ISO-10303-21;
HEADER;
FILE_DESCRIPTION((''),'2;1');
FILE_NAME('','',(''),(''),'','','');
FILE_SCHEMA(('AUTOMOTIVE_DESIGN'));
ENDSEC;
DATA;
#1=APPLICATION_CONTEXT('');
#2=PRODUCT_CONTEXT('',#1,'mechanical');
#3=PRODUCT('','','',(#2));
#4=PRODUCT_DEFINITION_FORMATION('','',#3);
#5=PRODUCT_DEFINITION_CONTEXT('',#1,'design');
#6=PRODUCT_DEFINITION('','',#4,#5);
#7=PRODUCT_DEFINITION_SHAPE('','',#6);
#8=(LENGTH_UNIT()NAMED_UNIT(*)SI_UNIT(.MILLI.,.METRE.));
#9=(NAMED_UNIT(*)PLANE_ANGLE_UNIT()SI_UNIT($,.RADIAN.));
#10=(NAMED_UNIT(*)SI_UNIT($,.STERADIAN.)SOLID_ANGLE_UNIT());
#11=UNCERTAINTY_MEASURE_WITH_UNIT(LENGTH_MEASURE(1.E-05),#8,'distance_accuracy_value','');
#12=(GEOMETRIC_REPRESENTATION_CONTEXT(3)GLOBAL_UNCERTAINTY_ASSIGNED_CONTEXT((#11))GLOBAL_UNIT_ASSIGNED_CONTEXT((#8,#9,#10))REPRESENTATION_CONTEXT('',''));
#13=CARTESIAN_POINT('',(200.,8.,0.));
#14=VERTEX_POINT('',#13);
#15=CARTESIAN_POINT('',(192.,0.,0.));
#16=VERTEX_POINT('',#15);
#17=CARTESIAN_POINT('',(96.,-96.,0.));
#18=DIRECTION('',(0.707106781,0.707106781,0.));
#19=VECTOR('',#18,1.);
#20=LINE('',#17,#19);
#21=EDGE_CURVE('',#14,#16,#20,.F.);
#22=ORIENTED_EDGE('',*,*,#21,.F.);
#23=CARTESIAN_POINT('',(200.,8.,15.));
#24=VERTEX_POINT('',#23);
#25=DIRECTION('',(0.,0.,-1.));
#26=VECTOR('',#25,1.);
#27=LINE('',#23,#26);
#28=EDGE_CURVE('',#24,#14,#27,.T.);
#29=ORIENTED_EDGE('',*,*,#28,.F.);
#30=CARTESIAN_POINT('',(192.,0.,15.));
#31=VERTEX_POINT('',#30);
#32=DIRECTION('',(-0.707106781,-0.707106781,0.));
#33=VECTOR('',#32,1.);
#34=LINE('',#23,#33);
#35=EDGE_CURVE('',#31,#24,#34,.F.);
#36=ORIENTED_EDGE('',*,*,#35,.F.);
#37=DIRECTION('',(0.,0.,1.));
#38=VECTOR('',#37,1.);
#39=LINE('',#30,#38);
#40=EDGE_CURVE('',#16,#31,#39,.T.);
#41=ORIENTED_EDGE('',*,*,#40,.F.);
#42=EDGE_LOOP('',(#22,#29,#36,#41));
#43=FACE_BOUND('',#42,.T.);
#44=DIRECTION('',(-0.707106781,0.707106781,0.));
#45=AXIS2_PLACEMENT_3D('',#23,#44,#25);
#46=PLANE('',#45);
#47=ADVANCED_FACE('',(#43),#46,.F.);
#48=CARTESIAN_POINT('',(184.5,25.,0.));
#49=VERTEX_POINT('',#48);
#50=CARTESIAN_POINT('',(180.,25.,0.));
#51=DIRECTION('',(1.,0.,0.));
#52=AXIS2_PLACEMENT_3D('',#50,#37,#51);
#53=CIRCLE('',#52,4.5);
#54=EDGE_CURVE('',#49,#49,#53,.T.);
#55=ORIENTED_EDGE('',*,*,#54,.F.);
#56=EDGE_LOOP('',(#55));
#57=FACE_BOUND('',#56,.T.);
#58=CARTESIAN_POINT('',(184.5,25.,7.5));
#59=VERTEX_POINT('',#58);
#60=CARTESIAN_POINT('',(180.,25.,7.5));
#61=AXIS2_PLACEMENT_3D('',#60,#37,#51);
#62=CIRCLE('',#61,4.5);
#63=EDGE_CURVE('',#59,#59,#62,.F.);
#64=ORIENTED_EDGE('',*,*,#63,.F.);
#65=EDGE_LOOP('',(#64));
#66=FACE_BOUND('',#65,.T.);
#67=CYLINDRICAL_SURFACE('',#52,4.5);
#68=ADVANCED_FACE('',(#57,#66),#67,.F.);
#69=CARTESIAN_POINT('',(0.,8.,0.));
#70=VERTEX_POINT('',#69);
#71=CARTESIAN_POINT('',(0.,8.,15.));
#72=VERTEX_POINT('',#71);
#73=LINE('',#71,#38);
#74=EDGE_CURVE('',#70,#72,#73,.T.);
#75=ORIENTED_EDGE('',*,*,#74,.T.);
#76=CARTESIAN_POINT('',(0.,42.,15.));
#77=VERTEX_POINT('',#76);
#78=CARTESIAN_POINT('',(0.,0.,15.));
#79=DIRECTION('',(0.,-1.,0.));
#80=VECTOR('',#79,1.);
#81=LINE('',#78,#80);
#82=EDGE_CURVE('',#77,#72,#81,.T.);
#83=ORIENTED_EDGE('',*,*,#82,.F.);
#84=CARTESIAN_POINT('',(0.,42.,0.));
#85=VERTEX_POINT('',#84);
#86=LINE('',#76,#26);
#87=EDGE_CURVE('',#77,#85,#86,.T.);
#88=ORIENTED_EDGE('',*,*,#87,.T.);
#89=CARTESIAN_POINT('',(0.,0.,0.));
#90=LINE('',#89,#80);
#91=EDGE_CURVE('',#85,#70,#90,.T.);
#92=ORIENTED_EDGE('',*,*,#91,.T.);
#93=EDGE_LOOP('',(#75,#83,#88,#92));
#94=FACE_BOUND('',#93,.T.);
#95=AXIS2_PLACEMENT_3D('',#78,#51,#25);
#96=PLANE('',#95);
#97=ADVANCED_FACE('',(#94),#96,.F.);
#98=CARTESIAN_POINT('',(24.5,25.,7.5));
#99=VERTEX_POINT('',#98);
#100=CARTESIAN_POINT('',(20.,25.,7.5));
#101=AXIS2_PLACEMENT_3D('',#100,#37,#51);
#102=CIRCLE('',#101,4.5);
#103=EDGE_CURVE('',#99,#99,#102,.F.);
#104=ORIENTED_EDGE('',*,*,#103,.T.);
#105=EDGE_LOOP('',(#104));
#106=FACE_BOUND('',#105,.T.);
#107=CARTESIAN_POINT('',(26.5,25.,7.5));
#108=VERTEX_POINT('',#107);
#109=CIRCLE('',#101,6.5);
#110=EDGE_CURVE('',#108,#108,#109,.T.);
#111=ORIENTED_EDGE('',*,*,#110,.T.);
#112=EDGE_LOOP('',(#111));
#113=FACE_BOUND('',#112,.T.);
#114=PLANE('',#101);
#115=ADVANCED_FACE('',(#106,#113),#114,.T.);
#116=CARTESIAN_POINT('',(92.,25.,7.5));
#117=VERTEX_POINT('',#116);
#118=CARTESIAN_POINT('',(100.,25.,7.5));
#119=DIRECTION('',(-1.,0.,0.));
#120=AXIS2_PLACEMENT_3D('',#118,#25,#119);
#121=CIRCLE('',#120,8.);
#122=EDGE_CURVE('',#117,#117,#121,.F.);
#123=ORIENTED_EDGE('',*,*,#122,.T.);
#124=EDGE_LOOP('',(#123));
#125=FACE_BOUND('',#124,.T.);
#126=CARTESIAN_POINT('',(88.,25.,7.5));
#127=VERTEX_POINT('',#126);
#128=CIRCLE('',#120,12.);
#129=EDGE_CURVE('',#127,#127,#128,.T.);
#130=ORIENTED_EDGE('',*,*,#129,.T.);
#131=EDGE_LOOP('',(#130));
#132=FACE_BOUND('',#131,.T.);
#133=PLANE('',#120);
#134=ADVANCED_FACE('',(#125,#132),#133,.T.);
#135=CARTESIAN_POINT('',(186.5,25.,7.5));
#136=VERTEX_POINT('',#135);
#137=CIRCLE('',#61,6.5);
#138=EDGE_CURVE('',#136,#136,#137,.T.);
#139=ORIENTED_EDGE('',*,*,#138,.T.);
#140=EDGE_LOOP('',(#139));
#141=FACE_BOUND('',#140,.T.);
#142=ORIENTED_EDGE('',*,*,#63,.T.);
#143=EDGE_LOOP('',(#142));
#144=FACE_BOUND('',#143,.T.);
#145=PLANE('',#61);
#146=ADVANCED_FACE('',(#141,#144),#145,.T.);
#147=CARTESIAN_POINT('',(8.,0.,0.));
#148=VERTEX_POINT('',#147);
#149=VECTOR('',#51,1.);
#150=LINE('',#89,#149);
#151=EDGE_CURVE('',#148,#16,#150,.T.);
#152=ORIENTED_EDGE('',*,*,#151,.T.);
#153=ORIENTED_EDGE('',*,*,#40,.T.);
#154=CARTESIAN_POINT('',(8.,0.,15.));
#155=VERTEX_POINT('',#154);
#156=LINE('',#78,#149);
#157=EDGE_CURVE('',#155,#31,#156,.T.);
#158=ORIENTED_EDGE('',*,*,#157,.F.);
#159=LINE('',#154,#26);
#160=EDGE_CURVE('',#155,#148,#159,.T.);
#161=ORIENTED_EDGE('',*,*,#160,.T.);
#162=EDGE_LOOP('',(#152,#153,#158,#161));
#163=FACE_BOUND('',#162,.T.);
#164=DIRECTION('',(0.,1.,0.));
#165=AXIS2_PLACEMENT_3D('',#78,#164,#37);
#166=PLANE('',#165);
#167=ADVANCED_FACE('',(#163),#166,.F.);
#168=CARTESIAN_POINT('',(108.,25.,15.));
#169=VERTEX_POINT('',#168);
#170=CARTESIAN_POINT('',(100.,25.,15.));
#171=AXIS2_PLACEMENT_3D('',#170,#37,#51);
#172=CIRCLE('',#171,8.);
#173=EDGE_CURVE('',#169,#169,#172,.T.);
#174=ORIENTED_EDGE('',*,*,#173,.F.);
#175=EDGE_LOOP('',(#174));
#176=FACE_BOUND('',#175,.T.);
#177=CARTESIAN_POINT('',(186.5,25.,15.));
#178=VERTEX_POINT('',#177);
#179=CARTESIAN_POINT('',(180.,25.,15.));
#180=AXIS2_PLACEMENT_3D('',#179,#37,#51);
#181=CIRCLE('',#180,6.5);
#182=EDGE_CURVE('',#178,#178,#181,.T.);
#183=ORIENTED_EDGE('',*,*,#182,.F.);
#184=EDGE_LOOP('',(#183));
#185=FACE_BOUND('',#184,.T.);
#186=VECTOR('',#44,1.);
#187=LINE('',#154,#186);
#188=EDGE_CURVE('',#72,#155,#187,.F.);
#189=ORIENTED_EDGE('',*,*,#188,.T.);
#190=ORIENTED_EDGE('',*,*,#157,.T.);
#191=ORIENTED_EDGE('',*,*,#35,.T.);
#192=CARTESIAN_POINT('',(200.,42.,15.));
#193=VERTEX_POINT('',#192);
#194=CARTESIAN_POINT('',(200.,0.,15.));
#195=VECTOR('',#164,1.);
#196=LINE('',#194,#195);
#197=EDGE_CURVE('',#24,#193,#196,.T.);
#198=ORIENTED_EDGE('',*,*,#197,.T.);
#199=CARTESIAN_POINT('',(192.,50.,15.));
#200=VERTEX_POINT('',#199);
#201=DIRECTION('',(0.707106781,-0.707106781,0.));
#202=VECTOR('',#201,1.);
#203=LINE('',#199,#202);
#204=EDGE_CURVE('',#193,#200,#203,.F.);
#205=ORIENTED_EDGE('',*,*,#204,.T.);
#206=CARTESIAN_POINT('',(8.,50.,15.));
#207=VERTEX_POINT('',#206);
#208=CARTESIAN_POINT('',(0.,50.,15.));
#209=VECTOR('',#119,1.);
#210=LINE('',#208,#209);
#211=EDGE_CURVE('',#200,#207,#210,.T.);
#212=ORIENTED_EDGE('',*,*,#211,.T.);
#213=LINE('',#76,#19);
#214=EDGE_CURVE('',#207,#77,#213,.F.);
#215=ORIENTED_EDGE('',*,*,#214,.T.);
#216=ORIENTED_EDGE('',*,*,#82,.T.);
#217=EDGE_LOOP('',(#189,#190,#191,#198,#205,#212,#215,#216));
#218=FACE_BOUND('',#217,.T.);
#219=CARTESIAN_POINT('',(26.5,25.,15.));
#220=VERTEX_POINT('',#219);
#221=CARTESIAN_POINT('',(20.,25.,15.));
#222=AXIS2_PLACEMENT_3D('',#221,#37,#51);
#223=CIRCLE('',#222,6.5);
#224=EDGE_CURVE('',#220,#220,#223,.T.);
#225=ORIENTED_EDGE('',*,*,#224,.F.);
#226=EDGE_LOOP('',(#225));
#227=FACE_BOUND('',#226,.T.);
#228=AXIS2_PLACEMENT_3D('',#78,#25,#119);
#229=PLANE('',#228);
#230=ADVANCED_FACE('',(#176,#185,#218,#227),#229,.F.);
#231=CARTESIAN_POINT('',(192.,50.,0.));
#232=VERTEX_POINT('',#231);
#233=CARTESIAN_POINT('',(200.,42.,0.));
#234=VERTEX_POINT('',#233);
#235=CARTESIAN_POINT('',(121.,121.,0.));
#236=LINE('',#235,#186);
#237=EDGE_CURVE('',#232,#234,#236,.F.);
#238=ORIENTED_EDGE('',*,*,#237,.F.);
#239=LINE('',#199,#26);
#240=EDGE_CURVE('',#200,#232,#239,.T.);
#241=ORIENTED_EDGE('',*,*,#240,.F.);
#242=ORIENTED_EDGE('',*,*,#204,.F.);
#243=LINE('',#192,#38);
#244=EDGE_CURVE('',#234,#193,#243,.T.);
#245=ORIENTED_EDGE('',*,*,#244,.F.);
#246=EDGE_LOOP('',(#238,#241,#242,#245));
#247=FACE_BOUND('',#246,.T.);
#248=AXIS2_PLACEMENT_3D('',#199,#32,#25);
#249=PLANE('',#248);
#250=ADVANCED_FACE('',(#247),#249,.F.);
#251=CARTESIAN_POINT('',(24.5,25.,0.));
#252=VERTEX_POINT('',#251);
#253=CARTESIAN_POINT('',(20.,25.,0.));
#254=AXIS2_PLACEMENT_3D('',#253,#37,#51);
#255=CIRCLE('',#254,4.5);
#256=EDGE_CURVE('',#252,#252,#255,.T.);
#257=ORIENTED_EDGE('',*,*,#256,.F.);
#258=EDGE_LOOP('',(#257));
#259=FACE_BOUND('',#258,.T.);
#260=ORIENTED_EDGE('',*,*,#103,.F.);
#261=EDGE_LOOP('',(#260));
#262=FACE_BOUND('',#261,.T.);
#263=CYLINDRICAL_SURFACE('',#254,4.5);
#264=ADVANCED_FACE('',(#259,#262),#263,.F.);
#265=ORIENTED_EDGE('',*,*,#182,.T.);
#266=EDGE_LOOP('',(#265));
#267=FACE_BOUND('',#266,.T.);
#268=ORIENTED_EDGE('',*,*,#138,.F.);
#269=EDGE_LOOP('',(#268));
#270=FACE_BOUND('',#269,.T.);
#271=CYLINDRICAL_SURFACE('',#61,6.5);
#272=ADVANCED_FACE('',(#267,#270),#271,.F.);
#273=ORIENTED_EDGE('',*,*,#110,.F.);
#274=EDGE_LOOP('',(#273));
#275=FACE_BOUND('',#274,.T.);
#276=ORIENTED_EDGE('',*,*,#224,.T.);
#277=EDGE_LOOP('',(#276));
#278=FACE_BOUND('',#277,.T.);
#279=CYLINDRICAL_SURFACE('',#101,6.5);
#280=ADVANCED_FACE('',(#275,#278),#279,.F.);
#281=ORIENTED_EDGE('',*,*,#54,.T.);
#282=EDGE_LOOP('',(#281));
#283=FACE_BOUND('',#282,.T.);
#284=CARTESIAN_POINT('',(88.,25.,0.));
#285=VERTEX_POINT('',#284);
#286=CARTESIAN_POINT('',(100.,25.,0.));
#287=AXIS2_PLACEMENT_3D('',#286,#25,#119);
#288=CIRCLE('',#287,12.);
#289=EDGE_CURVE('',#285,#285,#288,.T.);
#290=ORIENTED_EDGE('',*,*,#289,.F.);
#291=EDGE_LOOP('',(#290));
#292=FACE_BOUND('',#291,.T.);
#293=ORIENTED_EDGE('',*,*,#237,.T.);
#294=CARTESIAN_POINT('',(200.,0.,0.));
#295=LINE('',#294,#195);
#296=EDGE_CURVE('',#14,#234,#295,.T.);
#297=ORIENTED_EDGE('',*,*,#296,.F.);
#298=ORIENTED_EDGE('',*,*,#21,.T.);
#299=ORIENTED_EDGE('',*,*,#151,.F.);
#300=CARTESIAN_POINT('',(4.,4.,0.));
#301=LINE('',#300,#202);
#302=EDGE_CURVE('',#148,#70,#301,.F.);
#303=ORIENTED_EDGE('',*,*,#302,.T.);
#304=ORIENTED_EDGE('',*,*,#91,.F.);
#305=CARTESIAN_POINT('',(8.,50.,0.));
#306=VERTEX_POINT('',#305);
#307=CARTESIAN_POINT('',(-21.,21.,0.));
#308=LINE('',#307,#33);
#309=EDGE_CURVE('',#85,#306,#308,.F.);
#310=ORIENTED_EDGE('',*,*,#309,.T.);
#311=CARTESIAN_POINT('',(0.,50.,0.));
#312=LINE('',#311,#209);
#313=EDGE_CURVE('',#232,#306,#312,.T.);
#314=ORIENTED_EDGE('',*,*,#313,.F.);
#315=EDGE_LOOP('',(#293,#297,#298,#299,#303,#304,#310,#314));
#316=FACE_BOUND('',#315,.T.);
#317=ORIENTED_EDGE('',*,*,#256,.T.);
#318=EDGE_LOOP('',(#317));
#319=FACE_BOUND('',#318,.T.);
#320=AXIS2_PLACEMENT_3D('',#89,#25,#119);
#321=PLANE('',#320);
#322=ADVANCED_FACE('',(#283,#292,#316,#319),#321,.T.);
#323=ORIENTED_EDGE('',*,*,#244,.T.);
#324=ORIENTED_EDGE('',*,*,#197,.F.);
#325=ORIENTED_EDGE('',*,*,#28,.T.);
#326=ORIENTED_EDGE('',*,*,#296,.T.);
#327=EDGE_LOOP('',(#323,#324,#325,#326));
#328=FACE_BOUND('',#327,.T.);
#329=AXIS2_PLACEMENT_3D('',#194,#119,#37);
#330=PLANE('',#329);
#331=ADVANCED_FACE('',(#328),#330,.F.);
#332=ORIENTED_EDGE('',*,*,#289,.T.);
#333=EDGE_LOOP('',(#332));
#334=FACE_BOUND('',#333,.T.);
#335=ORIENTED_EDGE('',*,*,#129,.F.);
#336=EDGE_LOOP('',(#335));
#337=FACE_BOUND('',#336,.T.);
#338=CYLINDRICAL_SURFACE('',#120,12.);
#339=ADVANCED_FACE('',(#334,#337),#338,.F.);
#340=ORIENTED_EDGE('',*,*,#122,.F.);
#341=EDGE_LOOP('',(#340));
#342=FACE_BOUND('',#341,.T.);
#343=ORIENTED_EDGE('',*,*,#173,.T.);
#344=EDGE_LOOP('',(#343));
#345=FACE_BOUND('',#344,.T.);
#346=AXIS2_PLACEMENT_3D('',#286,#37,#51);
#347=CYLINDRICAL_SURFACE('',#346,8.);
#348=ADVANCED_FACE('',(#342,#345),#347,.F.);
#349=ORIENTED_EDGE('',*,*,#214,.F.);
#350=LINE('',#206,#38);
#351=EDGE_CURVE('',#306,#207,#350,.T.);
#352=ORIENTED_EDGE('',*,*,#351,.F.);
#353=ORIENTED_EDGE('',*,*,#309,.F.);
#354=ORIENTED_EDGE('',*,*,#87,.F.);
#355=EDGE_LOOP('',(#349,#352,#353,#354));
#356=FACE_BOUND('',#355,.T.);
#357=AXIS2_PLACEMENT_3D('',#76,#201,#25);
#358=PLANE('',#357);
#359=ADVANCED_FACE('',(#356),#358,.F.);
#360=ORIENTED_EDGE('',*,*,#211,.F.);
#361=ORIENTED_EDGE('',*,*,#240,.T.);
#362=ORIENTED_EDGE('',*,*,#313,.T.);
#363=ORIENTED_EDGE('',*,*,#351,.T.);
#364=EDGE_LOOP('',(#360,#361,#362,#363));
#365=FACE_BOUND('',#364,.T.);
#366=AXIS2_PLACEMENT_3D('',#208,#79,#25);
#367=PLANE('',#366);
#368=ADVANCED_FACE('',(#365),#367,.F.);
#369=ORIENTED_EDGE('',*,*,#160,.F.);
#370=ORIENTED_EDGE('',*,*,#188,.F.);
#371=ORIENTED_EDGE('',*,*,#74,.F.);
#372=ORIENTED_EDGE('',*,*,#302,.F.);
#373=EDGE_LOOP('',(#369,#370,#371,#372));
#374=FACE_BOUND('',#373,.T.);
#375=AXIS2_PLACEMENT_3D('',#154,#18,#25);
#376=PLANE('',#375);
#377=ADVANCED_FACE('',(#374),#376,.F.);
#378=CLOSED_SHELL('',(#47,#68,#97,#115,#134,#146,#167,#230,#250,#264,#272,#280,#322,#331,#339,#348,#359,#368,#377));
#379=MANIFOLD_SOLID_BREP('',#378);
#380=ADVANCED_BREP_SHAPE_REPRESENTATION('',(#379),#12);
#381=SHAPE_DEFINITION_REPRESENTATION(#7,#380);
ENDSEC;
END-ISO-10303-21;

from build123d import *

# Parameters (mm, degrees)
SKETCH_1_W          = 200
SKETCH_1_H          = 50
EXTRUDE_1_DEPTH     = 15
SKETCH_2_R          = 4.5
SKETCH_2_R_2        = 8
CUT_EXTRUDE_1_DEPTH = 207.700266086
SKETCH_5_R          = 6.5
CUT_EXTRUDE_4_DEPTH = 7.5
SKETCH_6_R          = 12
CUT_EXTRUDE_5_DEPTH = 7.5
CHAMFER_1_SIZE      = 8


with BuildPart() as part:
    # 草图1 → 凸台-拉伸1 (new body)
    with BuildSketch(Plane.XY):
        with Locations((100, 25)):
            Rectangle(SKETCH_1_W, SKETCH_1_H)
    extrude(amount=EXTRUDE_1_DEPTH)

    # 草图2 → 切除-拉伸1 (cut, through all)
    with BuildSketch(Plane.XY.offset(15)):
        with Locations((20, 25)):
            Circle(SKETCH_2_R)
        with Locations((100, 25)):
            Circle(SKETCH_2_R_2)
        with Locations((180, 25)):
            Circle(SKETCH_2_R)
    extrude(amount=-CUT_EXTRUDE_1_DEPTH, mode=Mode.SUBTRACT)

    # 草图5 → 切除-拉伸4 (cut)
    with BuildSketch(Plane.XY.offset(15)):
        with Locations((20, 25)):
            Circle(SKETCH_5_R)
        with Locations((180, 25)):
            Circle(SKETCH_5_R)
    extrude(amount=-CUT_EXTRUDE_4_DEPTH, mode=Mode.SUBTRACT)

    # 草图6 → 切除-拉伸5 (cut)
    with BuildSketch(Plane(origin=(0, 0, 0), x_dir=(-1, 0, 0), z_dir=(0, 0, -1))):
        with Locations((-100, 25)):
            Circle(SKETCH_6_R)
    extrude(amount=-CUT_EXTRUDE_5_DEPTH, mode=Mode.SUBTRACT)

    # 倒角1
    chamfer_1_edges = [part.edges().sort_by_distance(p)[0] for p in [
        (0, 50, 7.5),
        (200, 50, 7.5),
        (200, 0, 7.5),
        (0, 0, 7.5),
    ]]
    chamfer(chamfer_1_edges, length=CHAMFER_1_SIZE)


solid = part.part
